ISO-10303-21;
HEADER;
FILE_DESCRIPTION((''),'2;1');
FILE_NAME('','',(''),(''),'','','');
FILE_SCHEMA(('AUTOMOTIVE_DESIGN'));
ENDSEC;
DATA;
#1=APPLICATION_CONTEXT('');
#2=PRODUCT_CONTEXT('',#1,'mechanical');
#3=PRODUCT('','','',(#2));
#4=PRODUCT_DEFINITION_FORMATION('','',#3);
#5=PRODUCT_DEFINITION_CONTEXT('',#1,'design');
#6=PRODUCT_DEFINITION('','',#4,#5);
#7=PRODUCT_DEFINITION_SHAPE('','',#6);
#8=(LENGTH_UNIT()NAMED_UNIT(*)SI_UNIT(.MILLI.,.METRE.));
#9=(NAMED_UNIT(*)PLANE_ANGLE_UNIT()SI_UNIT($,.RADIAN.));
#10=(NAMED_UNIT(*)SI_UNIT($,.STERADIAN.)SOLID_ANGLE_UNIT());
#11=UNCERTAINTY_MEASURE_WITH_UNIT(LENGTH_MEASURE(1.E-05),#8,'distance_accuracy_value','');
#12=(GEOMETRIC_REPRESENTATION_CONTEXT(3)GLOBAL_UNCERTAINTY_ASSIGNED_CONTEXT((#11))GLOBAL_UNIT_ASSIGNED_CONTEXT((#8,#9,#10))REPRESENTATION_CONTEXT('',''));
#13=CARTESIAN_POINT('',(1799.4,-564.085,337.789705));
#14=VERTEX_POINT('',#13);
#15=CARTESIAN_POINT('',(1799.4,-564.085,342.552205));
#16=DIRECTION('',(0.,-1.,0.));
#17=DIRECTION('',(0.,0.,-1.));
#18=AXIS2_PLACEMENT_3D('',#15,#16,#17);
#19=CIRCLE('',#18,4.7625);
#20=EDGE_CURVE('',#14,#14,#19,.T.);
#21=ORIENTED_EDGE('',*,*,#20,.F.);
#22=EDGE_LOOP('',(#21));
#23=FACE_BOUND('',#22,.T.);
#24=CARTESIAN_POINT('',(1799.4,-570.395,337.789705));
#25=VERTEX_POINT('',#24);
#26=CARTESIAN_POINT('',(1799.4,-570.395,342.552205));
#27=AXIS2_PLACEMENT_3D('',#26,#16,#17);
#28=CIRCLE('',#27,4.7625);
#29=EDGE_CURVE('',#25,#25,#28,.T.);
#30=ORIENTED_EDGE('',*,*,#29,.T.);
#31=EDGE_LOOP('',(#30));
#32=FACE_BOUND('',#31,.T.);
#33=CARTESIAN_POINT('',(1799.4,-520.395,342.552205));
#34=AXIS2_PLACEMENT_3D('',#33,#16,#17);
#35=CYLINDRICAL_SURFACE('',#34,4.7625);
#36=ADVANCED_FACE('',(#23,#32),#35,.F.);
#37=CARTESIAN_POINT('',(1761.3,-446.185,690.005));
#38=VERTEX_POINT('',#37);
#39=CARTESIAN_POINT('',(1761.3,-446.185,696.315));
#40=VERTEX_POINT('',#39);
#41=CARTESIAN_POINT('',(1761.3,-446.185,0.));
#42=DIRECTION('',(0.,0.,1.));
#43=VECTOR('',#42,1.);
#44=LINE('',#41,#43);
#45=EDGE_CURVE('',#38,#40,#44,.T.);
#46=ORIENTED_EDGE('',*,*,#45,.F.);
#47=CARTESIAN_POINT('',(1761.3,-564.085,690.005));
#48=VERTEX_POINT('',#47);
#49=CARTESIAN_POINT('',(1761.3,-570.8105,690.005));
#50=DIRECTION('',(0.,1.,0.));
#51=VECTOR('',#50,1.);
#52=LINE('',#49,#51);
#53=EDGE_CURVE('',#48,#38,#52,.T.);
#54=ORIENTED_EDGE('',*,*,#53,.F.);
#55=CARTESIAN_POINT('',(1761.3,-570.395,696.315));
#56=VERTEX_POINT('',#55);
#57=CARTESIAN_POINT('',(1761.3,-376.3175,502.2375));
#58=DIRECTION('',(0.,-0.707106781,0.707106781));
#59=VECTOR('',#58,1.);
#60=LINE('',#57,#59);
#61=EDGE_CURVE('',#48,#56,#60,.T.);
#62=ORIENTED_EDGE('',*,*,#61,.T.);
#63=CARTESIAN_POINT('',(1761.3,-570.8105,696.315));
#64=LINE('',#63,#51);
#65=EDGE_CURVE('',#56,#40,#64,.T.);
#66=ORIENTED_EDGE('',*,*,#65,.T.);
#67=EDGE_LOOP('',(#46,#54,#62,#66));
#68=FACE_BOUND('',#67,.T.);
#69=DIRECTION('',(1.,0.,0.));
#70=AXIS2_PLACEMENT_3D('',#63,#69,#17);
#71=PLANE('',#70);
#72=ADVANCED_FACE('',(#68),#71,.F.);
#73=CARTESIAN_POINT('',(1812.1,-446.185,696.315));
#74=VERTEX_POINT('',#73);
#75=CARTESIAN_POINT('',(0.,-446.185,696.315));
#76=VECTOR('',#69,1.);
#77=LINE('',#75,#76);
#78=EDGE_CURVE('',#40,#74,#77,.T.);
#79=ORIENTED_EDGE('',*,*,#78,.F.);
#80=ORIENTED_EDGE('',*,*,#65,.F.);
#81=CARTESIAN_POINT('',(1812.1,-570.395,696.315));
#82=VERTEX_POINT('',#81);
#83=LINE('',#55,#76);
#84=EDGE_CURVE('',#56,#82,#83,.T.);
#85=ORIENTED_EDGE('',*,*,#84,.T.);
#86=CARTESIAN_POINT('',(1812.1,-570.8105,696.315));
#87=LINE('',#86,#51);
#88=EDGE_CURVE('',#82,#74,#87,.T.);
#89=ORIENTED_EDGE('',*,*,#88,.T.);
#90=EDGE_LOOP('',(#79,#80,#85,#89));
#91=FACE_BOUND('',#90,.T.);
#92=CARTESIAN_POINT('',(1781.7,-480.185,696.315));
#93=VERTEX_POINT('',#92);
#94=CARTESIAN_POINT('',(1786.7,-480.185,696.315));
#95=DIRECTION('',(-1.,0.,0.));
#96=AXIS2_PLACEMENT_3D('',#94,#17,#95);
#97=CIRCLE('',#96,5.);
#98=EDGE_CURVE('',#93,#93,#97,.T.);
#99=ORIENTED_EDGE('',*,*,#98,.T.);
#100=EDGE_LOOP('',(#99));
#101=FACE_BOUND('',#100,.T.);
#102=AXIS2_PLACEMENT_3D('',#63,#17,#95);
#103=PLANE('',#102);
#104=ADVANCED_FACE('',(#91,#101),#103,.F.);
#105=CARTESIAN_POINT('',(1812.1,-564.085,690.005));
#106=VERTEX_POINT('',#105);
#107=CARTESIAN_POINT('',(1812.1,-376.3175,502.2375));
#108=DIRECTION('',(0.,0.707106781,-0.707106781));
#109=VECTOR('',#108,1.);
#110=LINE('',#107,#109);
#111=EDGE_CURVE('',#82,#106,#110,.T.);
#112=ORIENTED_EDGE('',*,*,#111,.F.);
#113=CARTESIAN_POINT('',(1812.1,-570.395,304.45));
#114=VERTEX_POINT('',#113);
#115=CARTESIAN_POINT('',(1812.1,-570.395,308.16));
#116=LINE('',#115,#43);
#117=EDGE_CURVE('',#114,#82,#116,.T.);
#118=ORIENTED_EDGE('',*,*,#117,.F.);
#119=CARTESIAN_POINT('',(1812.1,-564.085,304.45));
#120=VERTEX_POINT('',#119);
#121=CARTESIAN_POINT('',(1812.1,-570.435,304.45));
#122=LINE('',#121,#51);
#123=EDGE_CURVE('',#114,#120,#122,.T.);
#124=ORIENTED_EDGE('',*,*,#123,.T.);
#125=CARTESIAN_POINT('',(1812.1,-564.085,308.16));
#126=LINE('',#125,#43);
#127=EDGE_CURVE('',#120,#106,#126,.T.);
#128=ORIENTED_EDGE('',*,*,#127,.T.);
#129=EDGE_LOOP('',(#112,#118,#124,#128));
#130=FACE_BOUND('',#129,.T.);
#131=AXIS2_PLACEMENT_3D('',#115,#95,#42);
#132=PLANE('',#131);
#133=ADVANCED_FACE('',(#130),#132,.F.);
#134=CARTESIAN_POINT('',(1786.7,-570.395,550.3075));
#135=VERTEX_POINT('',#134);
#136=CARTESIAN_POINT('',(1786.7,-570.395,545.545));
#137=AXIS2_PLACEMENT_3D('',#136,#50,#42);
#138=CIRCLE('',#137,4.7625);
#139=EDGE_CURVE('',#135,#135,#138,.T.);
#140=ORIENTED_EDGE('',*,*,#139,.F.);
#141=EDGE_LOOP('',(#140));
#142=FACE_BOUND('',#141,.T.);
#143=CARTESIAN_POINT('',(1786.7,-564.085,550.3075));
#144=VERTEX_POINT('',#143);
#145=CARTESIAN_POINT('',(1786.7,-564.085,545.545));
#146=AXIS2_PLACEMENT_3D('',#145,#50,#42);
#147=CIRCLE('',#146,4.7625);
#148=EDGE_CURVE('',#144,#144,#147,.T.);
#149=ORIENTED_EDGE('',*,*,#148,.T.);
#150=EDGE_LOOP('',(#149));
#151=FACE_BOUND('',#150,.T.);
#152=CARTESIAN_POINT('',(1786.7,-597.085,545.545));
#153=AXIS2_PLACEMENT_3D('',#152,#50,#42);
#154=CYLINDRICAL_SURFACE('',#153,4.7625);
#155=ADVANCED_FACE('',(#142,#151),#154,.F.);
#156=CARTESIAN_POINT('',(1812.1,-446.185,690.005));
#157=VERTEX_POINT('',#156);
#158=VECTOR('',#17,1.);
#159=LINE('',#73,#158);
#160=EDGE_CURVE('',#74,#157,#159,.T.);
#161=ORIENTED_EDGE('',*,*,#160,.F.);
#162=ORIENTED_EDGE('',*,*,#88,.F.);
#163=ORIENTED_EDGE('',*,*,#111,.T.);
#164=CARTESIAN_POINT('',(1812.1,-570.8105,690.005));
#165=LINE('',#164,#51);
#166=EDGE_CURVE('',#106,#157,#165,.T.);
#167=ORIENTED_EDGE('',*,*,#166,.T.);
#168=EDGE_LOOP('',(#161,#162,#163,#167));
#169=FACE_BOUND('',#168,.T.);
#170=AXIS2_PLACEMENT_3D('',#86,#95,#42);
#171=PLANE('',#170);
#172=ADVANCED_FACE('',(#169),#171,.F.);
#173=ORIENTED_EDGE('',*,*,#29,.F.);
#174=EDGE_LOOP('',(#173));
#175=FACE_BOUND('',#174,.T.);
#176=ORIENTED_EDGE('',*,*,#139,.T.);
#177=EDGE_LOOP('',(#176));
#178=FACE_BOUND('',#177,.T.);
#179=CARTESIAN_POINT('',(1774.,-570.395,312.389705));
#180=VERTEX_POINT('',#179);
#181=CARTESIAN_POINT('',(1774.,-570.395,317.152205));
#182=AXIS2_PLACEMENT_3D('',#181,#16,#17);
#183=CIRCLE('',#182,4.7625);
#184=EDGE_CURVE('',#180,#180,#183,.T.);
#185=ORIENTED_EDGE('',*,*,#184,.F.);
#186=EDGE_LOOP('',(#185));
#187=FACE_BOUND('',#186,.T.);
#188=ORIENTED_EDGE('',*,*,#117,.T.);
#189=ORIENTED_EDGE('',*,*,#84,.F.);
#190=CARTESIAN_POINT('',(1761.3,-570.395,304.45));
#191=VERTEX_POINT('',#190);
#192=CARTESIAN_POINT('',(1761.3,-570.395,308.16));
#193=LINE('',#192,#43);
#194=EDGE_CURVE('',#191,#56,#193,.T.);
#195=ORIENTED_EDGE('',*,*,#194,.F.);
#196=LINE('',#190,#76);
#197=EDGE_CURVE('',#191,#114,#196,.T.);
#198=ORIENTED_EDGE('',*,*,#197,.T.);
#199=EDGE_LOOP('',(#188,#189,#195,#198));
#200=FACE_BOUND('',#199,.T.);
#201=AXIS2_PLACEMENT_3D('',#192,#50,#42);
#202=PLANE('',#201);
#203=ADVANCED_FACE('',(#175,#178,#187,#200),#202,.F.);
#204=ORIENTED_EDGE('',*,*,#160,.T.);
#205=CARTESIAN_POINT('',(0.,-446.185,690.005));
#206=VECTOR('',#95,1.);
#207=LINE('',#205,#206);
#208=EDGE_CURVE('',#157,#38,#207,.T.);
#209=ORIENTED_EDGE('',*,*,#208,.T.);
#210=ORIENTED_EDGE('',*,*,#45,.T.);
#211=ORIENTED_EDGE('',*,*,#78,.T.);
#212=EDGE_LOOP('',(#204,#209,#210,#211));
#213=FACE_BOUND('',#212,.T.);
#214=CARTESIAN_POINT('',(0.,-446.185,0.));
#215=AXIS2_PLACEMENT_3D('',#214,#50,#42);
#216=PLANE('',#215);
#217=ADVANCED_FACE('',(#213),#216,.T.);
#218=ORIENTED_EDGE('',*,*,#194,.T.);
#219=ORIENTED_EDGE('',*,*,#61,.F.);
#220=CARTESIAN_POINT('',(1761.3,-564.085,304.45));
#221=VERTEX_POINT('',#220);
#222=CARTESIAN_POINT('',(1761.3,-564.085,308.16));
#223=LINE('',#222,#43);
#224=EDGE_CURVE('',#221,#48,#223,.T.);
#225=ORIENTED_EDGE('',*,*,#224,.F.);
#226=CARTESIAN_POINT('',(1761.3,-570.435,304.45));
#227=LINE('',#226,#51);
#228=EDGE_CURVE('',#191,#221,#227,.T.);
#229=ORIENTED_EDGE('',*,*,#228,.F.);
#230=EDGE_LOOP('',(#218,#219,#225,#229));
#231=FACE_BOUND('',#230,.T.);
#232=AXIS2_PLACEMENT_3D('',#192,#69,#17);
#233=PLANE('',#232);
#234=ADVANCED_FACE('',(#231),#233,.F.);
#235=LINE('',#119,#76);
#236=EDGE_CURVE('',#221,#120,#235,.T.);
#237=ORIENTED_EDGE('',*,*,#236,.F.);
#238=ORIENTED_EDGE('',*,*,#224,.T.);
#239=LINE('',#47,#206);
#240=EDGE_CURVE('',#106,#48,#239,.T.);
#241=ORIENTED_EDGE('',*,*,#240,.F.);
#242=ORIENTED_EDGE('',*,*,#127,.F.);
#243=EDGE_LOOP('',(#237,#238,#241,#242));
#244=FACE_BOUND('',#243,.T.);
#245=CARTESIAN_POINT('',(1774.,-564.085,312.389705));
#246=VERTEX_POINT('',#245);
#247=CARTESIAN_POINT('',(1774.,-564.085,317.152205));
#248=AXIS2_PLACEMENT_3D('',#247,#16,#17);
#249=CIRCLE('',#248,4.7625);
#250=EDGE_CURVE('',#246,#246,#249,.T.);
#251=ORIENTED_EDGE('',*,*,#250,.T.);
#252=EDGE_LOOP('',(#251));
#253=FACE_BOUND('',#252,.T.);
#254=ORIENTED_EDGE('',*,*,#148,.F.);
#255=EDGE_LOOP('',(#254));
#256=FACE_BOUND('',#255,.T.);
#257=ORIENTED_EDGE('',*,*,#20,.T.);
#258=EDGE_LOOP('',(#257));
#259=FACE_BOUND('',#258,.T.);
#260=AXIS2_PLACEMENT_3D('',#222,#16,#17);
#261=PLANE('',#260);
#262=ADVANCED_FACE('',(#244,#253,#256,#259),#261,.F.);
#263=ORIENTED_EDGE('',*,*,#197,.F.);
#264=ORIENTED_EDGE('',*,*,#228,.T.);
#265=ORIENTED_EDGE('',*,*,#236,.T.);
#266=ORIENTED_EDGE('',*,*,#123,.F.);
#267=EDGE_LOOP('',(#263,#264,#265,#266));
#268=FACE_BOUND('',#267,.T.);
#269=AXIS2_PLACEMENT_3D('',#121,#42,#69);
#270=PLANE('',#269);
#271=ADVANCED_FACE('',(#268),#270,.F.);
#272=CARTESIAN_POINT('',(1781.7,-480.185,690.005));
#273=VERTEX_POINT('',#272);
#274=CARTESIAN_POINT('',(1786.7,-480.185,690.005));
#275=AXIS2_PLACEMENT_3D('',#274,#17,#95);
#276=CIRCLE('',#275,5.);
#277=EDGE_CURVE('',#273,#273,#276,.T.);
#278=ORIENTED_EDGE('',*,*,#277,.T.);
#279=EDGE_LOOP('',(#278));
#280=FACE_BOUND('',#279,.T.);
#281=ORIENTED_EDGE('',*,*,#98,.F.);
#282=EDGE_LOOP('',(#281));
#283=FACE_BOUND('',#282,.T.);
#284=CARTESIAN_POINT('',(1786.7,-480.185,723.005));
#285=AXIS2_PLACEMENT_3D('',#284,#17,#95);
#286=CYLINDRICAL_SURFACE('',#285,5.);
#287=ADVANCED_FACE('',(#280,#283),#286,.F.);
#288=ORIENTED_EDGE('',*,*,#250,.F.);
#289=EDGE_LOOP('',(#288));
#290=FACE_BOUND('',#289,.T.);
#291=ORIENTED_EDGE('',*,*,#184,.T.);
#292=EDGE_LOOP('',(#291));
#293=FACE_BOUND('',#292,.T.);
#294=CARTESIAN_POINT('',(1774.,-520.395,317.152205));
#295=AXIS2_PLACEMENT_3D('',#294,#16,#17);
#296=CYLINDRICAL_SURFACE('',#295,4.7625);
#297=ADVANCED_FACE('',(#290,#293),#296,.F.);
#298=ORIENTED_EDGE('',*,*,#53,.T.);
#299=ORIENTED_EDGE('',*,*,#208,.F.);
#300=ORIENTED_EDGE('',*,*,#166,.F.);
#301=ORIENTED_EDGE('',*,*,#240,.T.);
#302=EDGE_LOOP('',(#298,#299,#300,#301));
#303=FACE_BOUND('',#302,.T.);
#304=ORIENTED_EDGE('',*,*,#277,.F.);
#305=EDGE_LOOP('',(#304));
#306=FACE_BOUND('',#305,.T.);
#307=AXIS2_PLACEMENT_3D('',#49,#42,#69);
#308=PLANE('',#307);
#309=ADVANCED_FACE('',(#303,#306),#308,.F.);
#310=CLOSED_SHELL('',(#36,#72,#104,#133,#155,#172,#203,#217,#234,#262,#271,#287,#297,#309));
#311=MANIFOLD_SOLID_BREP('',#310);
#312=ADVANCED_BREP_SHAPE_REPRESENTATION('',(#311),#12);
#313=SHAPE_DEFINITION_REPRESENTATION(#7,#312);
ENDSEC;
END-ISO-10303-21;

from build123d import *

# Parameters (mm, degrees)
CROQUIS2_W              = 50.8
CROQUIS2_H              = 6.31
CROQUIS3_W              = 50.8
CROQUIS3_H              = 6.31
CROQUIS4_W              = 60
CROQUIS4_H              = 53.155
SALIENTE_EXTRUIR1_DEPTH = 6.31
CROQUIS5_W              = 60
CROQUIS5_H              = 6.31
CORTAR_EXTRUIR1_DEPTH   = 6.31
CORTAR_EXTRUIR2_DEPTH   = 634
CROQUIS8_W              = 50.8
CROQUIS8_H              = 6.31
SALIENTE_EXTRUIR2_DEPTH = 63.5
CROQUIS9_R              = 5
CORTAR_EXTRUIR3_DEPTH   = 10
CROQUIS10_W             = 790.847933
CROQUIS10_H             = 6.31
CORTAR_EXTRUIR4_DEPTH   = 286
CROQUIS11_W             = 50.8
CROQUIS11_H             = 6.31
CROQUIS11_W_2           = 210
CORTAR_EXTRUIR5_DEPTH   = 13.11
CROQUIS12_W             = 50.8
CROQUIS12_H             = 6.31
SALIENTE_EXTRUIR3_DEPTH = 6.35
CROQUIS13_W             = 50.8
CROQUIS13_H             = 6.35
CORTAR_EXTRUIR6_DEPTH   = 6.35
CROQUIS14_W             = 85.847108528
CROQUIS14_H             = 473.639219469
CORTAR_EXTRUIR7_DEPTH   = 137
CROQUIS15_R             = 4.7625
CORTAR_EXTRUIR8_DEPTH   = 33
CROQUIS16_R             = 5
CORTAR_EXTRUIR9_DEPTH   = 33
CROQUIS18_R             = 4.7625
CORTAR_EXTRUIR10_DEPTH  = 50


with BuildPart() as part:
    # Barrer1: sweep along a curve in space
    with BuildLine() as barrer1_path:
        Line((0, 0, 0), (0, -567.24, 0))
        Line((0, -567.24, 0), (0, -567.24, 336.2))
        Line((0, -567.24, 336.2), (1786.7, -567.24, 336.2))
        Line((1786.7, -567.24, 336.2), (1786.7, -567.24, 693.16))
        Line((1786.7, -567.24, 693.16), (1786.7, -436.23, 693.16))
        Line((1786.7, -436.23, 693.16), (1786.7, -436.23, 1487.162933))
    # Croquis2 → Barrer1 (sweep)
    with BuildSketch(Plane(origin=(0, 0, 0), x_dir=(1, 0, 0), z_dir=(0, 1, 0))):
        Rectangle(CROQUIS2_W, CROQUIS2_H)
        with Locations((210, 0)):
            Rectangle(CROQUIS2_W, CROQUIS2_H)
    sweep(path=barrer1_path.line, transition=Transition.RIGHT)

    # Barrer4: sweep along a curve in space
    with BuildLine() as barrer4_path:
        Line((-0.201028049, -3.155, -3.155), (-0.201028049, -3.155, -207.155))
        Line((-0.201028049, -3.155, -207.155), (-0.201028049, -53.155, -207.155))
    # Croquis3 → Barrer4 (sweep)
    with BuildSketch(Plane(origin=(0, 0, -3.155), x_dir=(-1, 0, 0), z_dir=(0, 0, -1))):
        with Locations((-210, -3.155)):
            Rectangle(CROQUIS3_W, CROQUIS3_H)
        with Locations((0, -3.155)):
            Rectangle(CROQUIS3_W, CROQUIS3_H)
    sweep(path=barrer4_path.line, transition=Transition.RIGHT)

    # Croquis4 → Saliente-Extruir1 (add)
    with BuildSketch(Plane(origin=(0, 0, -210.31), x_dir=(-1, 0, 0), z_dir=(0, 0, -1))):
        with Locations((-154.6, -26.5775)):
            Rectangle(CROQUIS4_W, CROQUIS4_H)
    extrude(amount=-SALIENTE_EXTRUIR1_DEPTH)

    # Croquis5 → Cortar-Extruir1 (cut)
    with BuildSketch(Plane.XY.offset(-204)):
        with Locations((154.6, -3.155)):
            Rectangle(CROQUIS5_W, CROQUIS5_H)
    extrude(amount=-CORTAR_EXTRUIR1_DEPTH, mode=Mode.SUBTRACT)

    # Croquis7 → Cortar-Extruir2 (cut)
    with BuildSketch(Plane(origin=(0, 0, 0), x_dir=(1, 0, 0), z_dir=(0, 1, 0))):
        Polygon((1761.3, -361.6), (2022.1, -361.6), (2022.1, 278.600557529), (-188.115947115, 278.600557529), (-188.115947115, -361.6), align=None)
    extrude(amount=-CORTAR_EXTRUIR2_DEPTH, mode=Mode.SUBTRACT)

    # Croquis8 → Saliente-Extruir2 (add)
    with BuildSketch(Plane(origin=(0, 0, 361.6), x_dir=(-1, 0, 0), z_dir=(0, 0, -1))):
        with Locations((-1786.7, -567.24)):
            Rectangle(CROQUIS8_W, CROQUIS8_H)
    extrude(amount=SALIENTE_EXTRUIR2_DEPTH)

    # Croquis9 → Cortar-Extruir3 (cut)
    with BuildSketch(Plane(origin=(0, -433.075, 0), x_dir=(1, 0, 0), z_dir=(0, 1, 0))):
        with Locations(Location((1786.7, -1454.162933, 0), (0, 0, 270))):
            Circle(CROQUIS9_R)
        with Locations(Location((1786.7, -1234.162933, 0), (0, 0, 270))):
            Circle(CROQUIS9_R)
        with Locations(Location((1996.7, -1234.162933, 0), (0, 0, 270))):
            Circle(CROQUIS9_R)
        with Locations(Location((1996.7, -1454.162933, 0), (0, 0, 270))):
            Circle(CROQUIS9_R)
    extrude(amount=-CORTAR_EXTRUIR3_DEPTH, mode=Mode.SUBTRACT)

    # Croquis10 → Cortar-Extruir4 (cut)
    with BuildSketch(Plane(origin=(2022.1, 0, 0), x_dir=(0, 0, -1), z_dir=(1, 0, 0))):
        with Locations((-1091.7389665, -436.23)):
            Rectangle(CROQUIS10_W, CROQUIS10_H)
    extrude(amount=-CORTAR_EXTRUIR4_DEPTH, mode=Mode.SUBTRACT)

    # Croquis11 → Cortar-Extruir5 (cut)
    with BuildSketch(Plane(origin=(0, -433.075, 0), x_dir=(1, 0, 0), z_dir=(0, 1, 0))):
        with Locations((1996.7, -693.16)):
            Rectangle(CROQUIS11_W, CROQUIS11_H)
        with Locations((1866.3, -693.16)):
            Rectangle(CROQUIS11_W_2, CROQUIS11_H)
    extrude(amount=-CORTAR_EXTRUIR5_DEPTH, mode=Mode.SUBTRACT)

    # Croquis12 → Saliente-Extruir3 (add)
    with BuildSketch(Plane(origin=(0, 0, 361.6), x_dir=(-1, 0, 0), z_dir=(0, 0, -1))):
        with Locations((-1996.7, -567.24)):
            Rectangle(CROQUIS12_W, CROQUIS12_H)
    extrude(amount=SALIENTE_EXTRUIR3_DEPTH)

    # Croquis13 → Cortar-Extruir6 (cut)
    with BuildSketch(Plane(origin=(0, -564.085, 0), x_dir=(1, 0, 0), z_dir=(0, 1, 0))):
        with Locations((1786.7, -301.275)):
            Rectangle(CROQUIS13_W, CROQUIS13_H)
    extrude(amount=-CORTAR_EXTRUIR6_DEPTH, mode=Mode.SUBTRACT)

    # Croquis14 → Cortar-Extruir7 (cut)
    with BuildSketch(Plane(origin=(0, -446.185, 0), x_dir=(1, 0, 0), z_dir=(0, 1, 0))):
        with Locations((1999.254154868, -571.717300183)):
            Rectangle(CROQUIS14_W, CROQUIS14_H)
    extrude(amount=-CORTAR_EXTRUIR7_DEPTH, mode=Mode.SUBTRACT)

    # Croquis15 → Cortar-Extruir8 (cut)
    with BuildSketch(Plane(origin=(0, -564.085, 0), x_dir=(1, 0, 0), z_dir=(0, 1, 0))):
        with Locations(Location((1786.7, -545.545, 0), (0, 0, 270))):
            Circle(CROQUIS15_R)
    extrude(amount=-CORTAR_EXTRUIR8_DEPTH, mode=Mode.SUBTRACT)

    # Croquis16 → Cortar-Extruir9 (cut)
    with BuildSketch(Plane(origin=(0, 0, 690.005), x_dir=(-1, 0, 0), z_dir=(0, 0, -1))):
        with Locations((-1786.7, -480.185)):
            Circle(CROQUIS16_R)
    extrude(amount=-CORTAR_EXTRUIR9_DEPTH, mode=Mode.SUBTRACT)

    # Croquis18 → Cortar-Extruir10 (cut)
    with BuildSketch(Plane(origin=(0, -570.395, 0), x_dir=(-1, 0, 0), z_dir=(0, -1, 0))):
        with Locations(Location((-1799.399999999, -342.552204666, 0), (0, 0, 90))):
            Circle(CROQUIS18_R)
        with Locations(Location((-1773.999999999, -317.152204666, 0), (0, 0, 90))):
            Circle(CROQUIS18_R)
    extrude(amount=-CORTAR_EXTRUIR10_DEPTH, mode=Mode.SUBTRACT)


solid = part.part
